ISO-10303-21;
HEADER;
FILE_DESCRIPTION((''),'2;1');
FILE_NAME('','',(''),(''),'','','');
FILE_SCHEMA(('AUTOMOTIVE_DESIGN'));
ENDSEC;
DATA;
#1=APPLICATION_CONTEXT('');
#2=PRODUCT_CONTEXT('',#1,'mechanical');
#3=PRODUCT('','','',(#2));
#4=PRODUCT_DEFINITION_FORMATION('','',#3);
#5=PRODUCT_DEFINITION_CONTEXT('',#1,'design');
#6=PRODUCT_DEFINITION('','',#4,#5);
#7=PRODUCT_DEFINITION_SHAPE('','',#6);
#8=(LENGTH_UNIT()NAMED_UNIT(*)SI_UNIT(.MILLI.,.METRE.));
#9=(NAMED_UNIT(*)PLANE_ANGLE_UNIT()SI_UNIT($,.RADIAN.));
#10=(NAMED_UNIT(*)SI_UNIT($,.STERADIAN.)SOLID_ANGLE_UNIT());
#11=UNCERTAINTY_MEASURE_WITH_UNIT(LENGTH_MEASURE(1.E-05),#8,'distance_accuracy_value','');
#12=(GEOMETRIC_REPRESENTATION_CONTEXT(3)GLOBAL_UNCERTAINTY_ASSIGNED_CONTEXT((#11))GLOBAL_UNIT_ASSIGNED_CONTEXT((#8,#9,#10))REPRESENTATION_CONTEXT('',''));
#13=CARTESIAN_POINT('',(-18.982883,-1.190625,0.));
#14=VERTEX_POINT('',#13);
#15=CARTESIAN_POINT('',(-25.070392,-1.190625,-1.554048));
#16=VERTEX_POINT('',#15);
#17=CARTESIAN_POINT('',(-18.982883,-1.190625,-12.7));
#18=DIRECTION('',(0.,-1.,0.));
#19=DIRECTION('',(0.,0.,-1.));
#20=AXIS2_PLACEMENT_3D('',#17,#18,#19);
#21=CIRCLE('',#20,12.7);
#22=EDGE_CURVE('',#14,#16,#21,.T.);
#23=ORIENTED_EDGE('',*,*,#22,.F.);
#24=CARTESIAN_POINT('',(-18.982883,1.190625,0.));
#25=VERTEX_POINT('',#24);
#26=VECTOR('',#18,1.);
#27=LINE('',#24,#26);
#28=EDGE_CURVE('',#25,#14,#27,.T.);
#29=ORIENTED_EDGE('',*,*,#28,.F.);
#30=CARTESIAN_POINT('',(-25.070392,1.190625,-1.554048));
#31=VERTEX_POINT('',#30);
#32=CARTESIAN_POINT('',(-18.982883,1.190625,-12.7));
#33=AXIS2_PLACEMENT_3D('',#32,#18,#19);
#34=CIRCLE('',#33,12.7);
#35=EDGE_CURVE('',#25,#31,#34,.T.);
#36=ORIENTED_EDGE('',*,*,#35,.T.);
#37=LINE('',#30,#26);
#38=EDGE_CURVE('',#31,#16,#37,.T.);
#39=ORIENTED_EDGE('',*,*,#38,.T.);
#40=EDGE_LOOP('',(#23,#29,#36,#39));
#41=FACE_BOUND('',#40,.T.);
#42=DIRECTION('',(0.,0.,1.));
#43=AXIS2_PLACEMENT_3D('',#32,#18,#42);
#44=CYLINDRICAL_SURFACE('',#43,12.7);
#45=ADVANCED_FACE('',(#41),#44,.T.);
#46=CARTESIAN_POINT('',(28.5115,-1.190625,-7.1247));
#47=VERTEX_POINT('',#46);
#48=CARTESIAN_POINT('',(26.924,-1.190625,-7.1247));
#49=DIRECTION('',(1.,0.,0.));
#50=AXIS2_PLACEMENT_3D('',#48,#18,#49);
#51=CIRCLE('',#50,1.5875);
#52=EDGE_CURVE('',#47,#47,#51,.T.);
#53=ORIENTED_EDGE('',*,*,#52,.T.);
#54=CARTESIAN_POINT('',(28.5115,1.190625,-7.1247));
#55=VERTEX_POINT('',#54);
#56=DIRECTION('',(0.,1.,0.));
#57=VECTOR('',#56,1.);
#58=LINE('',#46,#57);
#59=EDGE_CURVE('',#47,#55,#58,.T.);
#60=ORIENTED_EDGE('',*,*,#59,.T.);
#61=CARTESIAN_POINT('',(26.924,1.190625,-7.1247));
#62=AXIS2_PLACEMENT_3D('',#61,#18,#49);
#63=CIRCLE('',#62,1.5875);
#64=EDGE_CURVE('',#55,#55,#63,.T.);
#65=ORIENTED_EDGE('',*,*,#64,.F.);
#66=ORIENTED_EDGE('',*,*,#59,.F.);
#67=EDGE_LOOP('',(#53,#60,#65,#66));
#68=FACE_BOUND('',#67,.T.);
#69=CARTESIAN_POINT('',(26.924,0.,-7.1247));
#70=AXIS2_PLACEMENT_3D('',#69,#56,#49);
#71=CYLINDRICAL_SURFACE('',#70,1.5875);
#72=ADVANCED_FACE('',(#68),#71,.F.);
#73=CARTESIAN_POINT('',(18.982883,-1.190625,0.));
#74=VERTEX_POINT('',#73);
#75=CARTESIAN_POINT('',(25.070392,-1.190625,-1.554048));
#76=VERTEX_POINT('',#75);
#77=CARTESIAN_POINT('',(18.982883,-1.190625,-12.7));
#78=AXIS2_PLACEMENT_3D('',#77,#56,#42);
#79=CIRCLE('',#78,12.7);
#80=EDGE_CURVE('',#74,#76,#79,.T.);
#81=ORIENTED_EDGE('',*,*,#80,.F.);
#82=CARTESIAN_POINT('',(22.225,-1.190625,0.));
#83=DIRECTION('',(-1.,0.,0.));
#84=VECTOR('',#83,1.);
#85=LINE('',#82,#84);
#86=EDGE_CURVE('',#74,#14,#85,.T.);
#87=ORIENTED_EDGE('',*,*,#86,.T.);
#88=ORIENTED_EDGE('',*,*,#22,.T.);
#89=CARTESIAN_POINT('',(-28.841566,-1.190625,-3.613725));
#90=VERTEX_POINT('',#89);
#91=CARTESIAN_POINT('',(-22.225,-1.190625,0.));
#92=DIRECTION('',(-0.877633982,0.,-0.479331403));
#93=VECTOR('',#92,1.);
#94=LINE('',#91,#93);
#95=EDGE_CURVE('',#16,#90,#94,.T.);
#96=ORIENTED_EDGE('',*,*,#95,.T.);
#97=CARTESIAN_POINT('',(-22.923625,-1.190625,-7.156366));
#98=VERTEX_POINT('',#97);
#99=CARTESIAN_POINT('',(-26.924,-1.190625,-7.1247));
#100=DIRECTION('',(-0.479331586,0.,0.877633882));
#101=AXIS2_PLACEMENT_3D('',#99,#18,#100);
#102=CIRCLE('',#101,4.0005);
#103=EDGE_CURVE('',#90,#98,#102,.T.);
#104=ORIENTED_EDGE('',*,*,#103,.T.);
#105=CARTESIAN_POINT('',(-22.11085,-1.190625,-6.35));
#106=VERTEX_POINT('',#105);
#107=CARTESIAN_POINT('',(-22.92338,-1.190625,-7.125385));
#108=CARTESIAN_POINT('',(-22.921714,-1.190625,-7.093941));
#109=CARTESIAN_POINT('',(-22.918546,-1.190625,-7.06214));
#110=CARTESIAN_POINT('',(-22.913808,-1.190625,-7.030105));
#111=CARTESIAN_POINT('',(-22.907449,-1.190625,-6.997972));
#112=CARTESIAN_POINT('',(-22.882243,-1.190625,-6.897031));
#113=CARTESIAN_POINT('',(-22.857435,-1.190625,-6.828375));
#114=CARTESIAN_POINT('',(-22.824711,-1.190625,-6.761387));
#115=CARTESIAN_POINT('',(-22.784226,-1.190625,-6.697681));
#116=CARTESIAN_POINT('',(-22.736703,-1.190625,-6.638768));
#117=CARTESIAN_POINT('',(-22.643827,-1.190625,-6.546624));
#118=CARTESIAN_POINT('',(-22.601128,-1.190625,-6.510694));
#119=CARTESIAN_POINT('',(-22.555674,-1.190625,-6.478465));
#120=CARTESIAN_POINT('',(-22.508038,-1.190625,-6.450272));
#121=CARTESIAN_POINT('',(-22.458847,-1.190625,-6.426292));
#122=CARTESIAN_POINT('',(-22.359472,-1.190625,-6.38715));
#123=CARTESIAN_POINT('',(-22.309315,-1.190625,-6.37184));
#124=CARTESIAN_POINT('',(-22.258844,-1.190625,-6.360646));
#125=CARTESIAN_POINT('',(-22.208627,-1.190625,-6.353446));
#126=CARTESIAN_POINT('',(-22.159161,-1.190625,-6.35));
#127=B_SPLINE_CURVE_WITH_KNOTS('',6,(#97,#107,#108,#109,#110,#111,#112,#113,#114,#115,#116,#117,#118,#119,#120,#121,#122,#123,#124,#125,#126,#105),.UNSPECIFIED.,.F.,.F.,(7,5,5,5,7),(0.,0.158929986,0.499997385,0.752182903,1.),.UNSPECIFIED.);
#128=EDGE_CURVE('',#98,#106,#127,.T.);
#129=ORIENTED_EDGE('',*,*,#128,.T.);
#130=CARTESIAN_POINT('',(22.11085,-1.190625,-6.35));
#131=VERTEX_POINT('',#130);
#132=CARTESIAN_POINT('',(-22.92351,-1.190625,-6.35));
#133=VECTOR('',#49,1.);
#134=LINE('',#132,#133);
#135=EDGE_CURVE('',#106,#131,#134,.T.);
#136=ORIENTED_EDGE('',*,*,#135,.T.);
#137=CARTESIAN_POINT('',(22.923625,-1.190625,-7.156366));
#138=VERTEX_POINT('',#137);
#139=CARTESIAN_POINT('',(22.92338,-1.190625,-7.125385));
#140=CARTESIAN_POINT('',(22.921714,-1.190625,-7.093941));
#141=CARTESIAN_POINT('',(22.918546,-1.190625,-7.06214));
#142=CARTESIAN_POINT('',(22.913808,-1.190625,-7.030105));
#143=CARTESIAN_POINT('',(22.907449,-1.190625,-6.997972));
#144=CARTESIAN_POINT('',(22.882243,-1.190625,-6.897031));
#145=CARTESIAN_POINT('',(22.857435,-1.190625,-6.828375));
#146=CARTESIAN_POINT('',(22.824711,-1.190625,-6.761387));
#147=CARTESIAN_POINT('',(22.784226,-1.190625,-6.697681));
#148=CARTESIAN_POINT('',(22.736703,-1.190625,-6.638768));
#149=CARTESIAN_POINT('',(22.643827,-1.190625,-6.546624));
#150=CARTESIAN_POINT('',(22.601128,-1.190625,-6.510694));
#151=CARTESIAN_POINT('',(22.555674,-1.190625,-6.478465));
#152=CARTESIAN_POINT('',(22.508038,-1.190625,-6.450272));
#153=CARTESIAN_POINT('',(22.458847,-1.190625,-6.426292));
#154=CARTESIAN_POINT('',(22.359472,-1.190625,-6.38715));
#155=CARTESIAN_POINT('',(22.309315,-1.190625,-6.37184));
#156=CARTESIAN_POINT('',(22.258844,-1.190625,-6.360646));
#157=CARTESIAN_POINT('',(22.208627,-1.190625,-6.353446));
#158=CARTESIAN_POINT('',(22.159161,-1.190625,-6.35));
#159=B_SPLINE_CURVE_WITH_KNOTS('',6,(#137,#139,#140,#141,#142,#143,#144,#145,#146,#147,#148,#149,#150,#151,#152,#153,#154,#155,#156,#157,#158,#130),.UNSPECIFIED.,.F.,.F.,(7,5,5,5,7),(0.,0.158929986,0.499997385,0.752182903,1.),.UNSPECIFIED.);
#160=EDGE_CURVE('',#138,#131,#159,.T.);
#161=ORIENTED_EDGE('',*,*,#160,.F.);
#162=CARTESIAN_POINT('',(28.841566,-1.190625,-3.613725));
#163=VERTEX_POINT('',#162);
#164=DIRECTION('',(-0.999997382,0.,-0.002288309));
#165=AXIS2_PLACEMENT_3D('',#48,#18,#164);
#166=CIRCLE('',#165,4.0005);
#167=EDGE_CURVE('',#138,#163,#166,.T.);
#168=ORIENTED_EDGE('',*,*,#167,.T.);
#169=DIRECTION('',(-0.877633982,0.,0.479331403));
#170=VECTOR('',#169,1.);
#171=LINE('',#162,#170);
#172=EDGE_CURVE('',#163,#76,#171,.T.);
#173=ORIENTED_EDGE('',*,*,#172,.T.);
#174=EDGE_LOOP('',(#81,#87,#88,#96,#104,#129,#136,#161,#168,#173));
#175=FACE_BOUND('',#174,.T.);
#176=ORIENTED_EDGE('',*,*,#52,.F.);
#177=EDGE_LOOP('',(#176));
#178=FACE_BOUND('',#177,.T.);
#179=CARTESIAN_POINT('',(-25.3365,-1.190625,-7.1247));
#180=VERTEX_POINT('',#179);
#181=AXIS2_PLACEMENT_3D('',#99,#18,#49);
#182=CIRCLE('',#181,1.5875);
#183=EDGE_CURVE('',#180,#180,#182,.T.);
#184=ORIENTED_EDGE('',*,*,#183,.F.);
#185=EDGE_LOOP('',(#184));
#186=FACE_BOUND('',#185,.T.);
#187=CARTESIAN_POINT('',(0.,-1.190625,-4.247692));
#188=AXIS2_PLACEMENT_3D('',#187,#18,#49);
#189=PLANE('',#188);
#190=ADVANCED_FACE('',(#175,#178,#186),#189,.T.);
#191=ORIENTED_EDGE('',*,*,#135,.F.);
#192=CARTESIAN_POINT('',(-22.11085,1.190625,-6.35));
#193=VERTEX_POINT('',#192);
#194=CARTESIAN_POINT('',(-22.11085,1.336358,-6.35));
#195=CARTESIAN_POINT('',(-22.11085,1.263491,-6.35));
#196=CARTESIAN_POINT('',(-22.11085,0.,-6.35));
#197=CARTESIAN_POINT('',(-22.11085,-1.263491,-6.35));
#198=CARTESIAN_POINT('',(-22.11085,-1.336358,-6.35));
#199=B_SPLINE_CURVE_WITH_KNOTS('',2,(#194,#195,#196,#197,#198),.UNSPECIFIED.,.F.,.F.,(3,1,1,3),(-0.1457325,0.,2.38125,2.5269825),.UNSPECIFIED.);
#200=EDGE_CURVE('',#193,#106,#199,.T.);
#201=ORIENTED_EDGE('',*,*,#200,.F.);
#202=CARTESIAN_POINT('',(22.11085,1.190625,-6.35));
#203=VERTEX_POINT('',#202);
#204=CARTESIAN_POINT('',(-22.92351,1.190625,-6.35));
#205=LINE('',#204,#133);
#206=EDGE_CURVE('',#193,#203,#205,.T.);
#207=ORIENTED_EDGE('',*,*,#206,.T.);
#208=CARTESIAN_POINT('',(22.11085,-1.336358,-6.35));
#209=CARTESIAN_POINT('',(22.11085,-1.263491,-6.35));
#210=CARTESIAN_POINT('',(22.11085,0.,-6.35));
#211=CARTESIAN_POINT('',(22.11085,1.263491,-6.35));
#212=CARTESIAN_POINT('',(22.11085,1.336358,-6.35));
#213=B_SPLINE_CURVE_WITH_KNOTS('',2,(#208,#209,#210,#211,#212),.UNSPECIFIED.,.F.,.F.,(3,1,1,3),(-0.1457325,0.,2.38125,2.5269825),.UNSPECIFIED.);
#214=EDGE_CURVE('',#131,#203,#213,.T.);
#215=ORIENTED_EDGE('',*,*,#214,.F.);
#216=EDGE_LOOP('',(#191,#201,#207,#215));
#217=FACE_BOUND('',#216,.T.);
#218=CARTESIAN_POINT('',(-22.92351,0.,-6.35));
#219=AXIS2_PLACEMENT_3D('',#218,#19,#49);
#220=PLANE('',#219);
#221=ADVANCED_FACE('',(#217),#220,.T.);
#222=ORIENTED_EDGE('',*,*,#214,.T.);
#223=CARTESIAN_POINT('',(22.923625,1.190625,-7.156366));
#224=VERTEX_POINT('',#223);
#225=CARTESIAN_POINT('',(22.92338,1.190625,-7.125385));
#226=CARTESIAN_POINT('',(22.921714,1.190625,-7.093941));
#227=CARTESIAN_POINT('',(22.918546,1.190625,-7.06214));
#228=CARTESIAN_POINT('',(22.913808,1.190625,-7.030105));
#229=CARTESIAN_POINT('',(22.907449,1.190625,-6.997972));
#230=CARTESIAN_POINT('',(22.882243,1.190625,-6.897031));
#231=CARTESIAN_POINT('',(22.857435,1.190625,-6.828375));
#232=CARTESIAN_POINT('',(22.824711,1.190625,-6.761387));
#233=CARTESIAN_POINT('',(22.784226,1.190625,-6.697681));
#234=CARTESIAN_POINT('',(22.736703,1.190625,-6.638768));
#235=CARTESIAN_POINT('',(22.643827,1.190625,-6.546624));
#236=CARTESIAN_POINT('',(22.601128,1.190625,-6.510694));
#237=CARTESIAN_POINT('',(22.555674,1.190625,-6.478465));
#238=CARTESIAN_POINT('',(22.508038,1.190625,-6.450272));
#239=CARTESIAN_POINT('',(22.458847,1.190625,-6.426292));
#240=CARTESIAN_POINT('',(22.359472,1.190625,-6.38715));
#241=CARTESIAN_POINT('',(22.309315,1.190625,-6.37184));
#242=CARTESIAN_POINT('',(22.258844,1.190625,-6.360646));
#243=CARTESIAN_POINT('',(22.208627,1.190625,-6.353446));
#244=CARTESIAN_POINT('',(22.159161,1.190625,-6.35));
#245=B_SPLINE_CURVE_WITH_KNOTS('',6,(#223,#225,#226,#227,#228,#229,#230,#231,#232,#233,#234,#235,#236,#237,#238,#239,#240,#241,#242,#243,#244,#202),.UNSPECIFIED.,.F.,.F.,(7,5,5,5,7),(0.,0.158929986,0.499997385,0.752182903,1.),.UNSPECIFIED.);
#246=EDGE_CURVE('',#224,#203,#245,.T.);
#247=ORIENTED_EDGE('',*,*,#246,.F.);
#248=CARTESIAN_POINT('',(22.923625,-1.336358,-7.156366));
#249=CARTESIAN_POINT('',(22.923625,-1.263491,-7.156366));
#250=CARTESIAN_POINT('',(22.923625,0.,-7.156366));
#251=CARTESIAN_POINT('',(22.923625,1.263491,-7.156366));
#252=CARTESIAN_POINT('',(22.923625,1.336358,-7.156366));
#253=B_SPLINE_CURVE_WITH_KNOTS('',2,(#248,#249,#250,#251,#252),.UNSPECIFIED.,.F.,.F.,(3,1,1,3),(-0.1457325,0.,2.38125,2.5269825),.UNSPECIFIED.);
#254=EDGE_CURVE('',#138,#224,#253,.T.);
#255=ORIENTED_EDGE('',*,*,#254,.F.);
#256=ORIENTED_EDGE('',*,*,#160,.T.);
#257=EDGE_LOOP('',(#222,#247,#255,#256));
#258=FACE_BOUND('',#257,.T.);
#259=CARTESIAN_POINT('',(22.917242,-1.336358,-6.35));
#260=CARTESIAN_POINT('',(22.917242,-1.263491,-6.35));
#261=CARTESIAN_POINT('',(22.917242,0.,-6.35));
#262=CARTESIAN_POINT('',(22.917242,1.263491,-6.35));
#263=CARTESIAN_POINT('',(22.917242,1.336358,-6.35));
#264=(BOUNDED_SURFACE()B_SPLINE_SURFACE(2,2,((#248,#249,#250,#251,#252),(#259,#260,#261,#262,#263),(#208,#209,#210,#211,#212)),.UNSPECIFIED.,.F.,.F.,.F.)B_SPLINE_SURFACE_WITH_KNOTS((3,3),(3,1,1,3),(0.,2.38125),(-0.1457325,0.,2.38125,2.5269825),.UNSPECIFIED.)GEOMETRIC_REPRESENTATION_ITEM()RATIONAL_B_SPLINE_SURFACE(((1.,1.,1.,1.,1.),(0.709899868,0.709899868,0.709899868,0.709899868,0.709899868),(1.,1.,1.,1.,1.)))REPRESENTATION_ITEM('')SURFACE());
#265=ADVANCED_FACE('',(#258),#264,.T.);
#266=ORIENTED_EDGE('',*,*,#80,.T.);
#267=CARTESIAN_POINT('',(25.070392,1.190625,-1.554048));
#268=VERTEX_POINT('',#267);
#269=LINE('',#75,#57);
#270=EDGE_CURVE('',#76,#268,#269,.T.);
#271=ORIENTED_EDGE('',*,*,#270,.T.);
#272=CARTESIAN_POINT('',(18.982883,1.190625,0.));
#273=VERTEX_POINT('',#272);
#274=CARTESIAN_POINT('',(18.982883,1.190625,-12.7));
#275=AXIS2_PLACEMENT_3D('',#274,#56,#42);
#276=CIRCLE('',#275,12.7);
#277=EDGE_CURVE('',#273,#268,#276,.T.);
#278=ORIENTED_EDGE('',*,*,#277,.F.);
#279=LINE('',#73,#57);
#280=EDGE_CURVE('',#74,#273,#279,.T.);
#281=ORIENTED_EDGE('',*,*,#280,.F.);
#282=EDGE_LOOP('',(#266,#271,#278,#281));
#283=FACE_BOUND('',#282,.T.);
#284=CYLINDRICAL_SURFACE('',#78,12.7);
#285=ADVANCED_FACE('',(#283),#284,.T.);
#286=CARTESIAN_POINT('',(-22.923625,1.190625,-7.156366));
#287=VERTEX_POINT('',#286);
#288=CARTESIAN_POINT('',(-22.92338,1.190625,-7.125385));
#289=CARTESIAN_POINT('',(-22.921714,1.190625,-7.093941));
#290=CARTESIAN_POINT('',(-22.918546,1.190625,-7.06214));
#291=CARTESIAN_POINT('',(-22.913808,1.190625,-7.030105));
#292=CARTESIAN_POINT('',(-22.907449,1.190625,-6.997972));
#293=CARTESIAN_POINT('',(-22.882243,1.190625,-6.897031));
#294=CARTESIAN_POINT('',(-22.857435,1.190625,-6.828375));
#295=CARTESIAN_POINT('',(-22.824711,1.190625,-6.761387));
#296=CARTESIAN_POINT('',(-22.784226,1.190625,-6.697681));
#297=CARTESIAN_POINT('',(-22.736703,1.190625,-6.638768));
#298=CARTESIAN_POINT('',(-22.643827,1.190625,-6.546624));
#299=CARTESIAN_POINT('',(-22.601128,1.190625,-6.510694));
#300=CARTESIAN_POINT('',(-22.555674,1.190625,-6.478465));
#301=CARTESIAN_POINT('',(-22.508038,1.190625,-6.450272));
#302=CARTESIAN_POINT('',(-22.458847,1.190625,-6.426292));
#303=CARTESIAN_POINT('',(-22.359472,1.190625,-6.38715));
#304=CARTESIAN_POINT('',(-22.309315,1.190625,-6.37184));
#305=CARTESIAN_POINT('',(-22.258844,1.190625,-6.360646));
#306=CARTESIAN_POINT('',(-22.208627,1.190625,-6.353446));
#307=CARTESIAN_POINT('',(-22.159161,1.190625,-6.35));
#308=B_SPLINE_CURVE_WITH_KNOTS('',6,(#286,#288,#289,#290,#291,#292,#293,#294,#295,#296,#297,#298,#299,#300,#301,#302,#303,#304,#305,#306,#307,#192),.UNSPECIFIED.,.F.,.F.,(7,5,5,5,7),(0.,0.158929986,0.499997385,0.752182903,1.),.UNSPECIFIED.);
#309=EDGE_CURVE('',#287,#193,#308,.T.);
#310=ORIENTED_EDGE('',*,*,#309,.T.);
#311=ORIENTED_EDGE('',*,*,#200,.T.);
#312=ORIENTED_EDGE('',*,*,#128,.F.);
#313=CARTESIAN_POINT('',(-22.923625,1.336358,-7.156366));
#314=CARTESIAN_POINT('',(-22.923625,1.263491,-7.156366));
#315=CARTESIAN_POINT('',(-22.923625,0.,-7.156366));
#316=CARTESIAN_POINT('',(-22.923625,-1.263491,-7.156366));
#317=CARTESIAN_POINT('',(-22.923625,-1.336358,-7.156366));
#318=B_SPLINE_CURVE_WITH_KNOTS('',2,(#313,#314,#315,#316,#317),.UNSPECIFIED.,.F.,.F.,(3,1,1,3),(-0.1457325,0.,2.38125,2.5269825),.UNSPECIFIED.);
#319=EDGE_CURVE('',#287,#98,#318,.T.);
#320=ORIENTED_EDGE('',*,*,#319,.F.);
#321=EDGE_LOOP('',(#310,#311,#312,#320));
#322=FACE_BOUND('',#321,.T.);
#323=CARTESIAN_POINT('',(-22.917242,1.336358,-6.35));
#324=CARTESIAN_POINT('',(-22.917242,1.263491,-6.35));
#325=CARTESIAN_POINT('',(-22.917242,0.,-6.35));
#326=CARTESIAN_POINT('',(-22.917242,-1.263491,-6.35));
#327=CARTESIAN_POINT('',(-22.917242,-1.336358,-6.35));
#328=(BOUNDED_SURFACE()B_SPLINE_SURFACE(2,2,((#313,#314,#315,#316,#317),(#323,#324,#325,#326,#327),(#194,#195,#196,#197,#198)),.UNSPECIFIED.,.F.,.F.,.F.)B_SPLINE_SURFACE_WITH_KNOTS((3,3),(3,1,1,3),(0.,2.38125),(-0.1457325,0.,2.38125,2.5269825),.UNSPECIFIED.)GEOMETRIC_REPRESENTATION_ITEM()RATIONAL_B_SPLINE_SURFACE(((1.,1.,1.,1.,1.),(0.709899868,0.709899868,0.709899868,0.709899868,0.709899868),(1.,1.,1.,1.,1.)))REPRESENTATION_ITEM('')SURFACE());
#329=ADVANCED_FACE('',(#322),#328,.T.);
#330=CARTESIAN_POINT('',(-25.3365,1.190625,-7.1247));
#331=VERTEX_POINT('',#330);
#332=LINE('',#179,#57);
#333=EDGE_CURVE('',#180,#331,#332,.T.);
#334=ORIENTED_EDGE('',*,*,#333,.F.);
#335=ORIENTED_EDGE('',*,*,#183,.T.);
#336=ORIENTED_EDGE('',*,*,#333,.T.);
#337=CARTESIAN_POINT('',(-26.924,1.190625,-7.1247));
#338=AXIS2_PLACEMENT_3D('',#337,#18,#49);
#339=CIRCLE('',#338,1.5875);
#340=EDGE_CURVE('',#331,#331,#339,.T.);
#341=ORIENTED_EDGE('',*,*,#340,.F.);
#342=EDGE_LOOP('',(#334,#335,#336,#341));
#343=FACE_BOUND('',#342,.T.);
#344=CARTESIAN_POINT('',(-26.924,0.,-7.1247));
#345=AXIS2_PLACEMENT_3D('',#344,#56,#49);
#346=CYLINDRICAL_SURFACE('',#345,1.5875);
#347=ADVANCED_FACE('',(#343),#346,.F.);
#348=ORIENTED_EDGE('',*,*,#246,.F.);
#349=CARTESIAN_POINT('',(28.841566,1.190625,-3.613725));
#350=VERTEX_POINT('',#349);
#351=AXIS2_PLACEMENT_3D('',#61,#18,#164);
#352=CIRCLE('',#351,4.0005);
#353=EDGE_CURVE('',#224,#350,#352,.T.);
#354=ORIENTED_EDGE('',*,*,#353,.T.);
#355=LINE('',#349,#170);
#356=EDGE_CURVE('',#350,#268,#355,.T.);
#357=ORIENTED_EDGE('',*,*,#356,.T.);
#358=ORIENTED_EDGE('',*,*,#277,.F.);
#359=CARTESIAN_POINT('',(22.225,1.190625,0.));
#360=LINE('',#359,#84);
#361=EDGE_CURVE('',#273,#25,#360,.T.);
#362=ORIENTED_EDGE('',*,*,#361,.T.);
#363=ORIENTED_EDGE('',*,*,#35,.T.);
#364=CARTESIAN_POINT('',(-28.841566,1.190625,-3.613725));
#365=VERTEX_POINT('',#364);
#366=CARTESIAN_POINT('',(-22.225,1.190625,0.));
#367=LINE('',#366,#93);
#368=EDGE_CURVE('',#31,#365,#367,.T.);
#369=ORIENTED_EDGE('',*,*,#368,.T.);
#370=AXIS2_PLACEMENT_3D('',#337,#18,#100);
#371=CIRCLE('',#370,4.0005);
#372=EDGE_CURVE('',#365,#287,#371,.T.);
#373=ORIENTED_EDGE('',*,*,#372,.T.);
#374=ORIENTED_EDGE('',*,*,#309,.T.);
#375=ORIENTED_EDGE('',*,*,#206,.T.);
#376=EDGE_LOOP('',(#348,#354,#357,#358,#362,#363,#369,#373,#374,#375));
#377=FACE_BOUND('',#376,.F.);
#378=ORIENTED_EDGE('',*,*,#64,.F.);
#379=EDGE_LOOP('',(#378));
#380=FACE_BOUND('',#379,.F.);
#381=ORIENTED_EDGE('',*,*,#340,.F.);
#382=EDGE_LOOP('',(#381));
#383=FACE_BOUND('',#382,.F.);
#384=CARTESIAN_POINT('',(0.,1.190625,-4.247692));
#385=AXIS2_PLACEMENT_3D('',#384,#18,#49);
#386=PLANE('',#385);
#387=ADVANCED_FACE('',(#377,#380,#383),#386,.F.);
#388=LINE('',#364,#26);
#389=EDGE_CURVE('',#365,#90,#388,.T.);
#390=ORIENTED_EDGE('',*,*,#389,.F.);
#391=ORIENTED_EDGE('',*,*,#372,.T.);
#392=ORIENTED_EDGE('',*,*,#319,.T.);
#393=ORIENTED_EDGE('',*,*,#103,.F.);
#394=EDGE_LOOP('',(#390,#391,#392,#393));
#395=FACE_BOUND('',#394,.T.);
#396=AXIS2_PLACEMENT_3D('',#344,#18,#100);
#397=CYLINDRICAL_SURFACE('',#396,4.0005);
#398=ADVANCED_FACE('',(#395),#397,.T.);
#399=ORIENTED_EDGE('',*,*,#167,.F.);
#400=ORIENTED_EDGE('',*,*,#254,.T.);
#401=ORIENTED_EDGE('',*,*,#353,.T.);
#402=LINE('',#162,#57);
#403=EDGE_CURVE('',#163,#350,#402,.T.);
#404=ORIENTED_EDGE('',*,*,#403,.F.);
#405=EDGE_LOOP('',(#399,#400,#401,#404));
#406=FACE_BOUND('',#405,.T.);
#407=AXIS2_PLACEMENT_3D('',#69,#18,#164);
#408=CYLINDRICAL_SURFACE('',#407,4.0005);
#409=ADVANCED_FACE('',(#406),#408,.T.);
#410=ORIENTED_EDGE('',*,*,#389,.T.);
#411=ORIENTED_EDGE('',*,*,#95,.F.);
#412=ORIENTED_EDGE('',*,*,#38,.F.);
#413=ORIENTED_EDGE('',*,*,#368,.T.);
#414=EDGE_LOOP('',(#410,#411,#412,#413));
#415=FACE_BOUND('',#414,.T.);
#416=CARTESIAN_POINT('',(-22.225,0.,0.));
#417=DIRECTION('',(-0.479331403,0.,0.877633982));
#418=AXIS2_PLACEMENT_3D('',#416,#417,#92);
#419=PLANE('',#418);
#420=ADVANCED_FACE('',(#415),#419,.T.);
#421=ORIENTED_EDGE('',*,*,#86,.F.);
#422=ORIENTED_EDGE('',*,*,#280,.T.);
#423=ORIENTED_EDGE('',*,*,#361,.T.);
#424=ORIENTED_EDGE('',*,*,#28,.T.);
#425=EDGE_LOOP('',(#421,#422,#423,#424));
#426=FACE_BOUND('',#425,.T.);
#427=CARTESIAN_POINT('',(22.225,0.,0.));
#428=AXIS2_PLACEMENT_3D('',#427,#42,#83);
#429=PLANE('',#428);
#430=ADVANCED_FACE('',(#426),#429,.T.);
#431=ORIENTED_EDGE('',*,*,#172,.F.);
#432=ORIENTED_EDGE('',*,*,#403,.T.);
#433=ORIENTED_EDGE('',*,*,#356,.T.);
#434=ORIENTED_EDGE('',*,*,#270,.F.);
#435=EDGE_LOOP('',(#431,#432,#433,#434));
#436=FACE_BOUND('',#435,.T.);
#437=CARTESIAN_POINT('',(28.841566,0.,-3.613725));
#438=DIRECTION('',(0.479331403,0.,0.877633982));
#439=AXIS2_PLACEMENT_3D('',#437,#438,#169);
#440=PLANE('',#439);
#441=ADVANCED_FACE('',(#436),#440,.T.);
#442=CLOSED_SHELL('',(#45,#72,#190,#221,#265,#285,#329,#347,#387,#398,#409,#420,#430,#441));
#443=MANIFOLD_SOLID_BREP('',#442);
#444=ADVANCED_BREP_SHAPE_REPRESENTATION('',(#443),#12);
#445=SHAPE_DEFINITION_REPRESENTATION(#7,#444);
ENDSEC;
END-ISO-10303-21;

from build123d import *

# Parameters (mm, degrees)
F0_R     = 1.5875
F1_DEPTH = 1.190625
F2_R     = 12.7
F3_R     = 0.8128


with BuildPart() as f1:
    # F0 (on Front) → F1 (new body, symmetric)
    with BuildSketch(Plane.XZ):
        with BuildLine():
            Line((22.225, 0), (-22.225, 0))
            Line((-22.225, 0), (-28.841566, -3.613725))
            ThreePointArc((-28.841566, -3.613725), (-28.969109, -10.562945), (-22.92351, -7.133854))
            Line((-22.92351, -7.133854), (-22.92351, -6.35))
            Line((-22.92351, -6.35), (22.92351, -6.35))
            Line((22.92351, -6.35), (22.92351, -7.133854))
            ThreePointArc((22.92351, -7.133854), (28.969109, -10.562945), (28.841566, -3.613725))
            Line((28.841566, -3.613725), (22.225, 0))
        make_face()
        with Locations((-26.924, -7.1247)):
            Circle(F0_R, mode=Mode.SUBTRACT)
        with Locations((26.924, -7.1247)):
            Circle(F0_R, mode=Mode.SUBTRACT)
    extrude(amount=F1_DEPTH, both=True)

    # F2
    f2_edges = [f1.edges().sort_by_distance(p)[0] for p in [
        (22.225, 0, 0),
        (-22.225, 0, 0),
    ]]
    fillet(f2_edges, radius=F2_R)

    # F3
    f3_edges = [f1.edges().sort_by_distance(p)[0] for p in [
        (-22.92351, 0, -6.35),
        (22.92351, 0, -6.35),
    ]]
    fillet(f3_edges, radius=F3_R)


solid = f1.part
